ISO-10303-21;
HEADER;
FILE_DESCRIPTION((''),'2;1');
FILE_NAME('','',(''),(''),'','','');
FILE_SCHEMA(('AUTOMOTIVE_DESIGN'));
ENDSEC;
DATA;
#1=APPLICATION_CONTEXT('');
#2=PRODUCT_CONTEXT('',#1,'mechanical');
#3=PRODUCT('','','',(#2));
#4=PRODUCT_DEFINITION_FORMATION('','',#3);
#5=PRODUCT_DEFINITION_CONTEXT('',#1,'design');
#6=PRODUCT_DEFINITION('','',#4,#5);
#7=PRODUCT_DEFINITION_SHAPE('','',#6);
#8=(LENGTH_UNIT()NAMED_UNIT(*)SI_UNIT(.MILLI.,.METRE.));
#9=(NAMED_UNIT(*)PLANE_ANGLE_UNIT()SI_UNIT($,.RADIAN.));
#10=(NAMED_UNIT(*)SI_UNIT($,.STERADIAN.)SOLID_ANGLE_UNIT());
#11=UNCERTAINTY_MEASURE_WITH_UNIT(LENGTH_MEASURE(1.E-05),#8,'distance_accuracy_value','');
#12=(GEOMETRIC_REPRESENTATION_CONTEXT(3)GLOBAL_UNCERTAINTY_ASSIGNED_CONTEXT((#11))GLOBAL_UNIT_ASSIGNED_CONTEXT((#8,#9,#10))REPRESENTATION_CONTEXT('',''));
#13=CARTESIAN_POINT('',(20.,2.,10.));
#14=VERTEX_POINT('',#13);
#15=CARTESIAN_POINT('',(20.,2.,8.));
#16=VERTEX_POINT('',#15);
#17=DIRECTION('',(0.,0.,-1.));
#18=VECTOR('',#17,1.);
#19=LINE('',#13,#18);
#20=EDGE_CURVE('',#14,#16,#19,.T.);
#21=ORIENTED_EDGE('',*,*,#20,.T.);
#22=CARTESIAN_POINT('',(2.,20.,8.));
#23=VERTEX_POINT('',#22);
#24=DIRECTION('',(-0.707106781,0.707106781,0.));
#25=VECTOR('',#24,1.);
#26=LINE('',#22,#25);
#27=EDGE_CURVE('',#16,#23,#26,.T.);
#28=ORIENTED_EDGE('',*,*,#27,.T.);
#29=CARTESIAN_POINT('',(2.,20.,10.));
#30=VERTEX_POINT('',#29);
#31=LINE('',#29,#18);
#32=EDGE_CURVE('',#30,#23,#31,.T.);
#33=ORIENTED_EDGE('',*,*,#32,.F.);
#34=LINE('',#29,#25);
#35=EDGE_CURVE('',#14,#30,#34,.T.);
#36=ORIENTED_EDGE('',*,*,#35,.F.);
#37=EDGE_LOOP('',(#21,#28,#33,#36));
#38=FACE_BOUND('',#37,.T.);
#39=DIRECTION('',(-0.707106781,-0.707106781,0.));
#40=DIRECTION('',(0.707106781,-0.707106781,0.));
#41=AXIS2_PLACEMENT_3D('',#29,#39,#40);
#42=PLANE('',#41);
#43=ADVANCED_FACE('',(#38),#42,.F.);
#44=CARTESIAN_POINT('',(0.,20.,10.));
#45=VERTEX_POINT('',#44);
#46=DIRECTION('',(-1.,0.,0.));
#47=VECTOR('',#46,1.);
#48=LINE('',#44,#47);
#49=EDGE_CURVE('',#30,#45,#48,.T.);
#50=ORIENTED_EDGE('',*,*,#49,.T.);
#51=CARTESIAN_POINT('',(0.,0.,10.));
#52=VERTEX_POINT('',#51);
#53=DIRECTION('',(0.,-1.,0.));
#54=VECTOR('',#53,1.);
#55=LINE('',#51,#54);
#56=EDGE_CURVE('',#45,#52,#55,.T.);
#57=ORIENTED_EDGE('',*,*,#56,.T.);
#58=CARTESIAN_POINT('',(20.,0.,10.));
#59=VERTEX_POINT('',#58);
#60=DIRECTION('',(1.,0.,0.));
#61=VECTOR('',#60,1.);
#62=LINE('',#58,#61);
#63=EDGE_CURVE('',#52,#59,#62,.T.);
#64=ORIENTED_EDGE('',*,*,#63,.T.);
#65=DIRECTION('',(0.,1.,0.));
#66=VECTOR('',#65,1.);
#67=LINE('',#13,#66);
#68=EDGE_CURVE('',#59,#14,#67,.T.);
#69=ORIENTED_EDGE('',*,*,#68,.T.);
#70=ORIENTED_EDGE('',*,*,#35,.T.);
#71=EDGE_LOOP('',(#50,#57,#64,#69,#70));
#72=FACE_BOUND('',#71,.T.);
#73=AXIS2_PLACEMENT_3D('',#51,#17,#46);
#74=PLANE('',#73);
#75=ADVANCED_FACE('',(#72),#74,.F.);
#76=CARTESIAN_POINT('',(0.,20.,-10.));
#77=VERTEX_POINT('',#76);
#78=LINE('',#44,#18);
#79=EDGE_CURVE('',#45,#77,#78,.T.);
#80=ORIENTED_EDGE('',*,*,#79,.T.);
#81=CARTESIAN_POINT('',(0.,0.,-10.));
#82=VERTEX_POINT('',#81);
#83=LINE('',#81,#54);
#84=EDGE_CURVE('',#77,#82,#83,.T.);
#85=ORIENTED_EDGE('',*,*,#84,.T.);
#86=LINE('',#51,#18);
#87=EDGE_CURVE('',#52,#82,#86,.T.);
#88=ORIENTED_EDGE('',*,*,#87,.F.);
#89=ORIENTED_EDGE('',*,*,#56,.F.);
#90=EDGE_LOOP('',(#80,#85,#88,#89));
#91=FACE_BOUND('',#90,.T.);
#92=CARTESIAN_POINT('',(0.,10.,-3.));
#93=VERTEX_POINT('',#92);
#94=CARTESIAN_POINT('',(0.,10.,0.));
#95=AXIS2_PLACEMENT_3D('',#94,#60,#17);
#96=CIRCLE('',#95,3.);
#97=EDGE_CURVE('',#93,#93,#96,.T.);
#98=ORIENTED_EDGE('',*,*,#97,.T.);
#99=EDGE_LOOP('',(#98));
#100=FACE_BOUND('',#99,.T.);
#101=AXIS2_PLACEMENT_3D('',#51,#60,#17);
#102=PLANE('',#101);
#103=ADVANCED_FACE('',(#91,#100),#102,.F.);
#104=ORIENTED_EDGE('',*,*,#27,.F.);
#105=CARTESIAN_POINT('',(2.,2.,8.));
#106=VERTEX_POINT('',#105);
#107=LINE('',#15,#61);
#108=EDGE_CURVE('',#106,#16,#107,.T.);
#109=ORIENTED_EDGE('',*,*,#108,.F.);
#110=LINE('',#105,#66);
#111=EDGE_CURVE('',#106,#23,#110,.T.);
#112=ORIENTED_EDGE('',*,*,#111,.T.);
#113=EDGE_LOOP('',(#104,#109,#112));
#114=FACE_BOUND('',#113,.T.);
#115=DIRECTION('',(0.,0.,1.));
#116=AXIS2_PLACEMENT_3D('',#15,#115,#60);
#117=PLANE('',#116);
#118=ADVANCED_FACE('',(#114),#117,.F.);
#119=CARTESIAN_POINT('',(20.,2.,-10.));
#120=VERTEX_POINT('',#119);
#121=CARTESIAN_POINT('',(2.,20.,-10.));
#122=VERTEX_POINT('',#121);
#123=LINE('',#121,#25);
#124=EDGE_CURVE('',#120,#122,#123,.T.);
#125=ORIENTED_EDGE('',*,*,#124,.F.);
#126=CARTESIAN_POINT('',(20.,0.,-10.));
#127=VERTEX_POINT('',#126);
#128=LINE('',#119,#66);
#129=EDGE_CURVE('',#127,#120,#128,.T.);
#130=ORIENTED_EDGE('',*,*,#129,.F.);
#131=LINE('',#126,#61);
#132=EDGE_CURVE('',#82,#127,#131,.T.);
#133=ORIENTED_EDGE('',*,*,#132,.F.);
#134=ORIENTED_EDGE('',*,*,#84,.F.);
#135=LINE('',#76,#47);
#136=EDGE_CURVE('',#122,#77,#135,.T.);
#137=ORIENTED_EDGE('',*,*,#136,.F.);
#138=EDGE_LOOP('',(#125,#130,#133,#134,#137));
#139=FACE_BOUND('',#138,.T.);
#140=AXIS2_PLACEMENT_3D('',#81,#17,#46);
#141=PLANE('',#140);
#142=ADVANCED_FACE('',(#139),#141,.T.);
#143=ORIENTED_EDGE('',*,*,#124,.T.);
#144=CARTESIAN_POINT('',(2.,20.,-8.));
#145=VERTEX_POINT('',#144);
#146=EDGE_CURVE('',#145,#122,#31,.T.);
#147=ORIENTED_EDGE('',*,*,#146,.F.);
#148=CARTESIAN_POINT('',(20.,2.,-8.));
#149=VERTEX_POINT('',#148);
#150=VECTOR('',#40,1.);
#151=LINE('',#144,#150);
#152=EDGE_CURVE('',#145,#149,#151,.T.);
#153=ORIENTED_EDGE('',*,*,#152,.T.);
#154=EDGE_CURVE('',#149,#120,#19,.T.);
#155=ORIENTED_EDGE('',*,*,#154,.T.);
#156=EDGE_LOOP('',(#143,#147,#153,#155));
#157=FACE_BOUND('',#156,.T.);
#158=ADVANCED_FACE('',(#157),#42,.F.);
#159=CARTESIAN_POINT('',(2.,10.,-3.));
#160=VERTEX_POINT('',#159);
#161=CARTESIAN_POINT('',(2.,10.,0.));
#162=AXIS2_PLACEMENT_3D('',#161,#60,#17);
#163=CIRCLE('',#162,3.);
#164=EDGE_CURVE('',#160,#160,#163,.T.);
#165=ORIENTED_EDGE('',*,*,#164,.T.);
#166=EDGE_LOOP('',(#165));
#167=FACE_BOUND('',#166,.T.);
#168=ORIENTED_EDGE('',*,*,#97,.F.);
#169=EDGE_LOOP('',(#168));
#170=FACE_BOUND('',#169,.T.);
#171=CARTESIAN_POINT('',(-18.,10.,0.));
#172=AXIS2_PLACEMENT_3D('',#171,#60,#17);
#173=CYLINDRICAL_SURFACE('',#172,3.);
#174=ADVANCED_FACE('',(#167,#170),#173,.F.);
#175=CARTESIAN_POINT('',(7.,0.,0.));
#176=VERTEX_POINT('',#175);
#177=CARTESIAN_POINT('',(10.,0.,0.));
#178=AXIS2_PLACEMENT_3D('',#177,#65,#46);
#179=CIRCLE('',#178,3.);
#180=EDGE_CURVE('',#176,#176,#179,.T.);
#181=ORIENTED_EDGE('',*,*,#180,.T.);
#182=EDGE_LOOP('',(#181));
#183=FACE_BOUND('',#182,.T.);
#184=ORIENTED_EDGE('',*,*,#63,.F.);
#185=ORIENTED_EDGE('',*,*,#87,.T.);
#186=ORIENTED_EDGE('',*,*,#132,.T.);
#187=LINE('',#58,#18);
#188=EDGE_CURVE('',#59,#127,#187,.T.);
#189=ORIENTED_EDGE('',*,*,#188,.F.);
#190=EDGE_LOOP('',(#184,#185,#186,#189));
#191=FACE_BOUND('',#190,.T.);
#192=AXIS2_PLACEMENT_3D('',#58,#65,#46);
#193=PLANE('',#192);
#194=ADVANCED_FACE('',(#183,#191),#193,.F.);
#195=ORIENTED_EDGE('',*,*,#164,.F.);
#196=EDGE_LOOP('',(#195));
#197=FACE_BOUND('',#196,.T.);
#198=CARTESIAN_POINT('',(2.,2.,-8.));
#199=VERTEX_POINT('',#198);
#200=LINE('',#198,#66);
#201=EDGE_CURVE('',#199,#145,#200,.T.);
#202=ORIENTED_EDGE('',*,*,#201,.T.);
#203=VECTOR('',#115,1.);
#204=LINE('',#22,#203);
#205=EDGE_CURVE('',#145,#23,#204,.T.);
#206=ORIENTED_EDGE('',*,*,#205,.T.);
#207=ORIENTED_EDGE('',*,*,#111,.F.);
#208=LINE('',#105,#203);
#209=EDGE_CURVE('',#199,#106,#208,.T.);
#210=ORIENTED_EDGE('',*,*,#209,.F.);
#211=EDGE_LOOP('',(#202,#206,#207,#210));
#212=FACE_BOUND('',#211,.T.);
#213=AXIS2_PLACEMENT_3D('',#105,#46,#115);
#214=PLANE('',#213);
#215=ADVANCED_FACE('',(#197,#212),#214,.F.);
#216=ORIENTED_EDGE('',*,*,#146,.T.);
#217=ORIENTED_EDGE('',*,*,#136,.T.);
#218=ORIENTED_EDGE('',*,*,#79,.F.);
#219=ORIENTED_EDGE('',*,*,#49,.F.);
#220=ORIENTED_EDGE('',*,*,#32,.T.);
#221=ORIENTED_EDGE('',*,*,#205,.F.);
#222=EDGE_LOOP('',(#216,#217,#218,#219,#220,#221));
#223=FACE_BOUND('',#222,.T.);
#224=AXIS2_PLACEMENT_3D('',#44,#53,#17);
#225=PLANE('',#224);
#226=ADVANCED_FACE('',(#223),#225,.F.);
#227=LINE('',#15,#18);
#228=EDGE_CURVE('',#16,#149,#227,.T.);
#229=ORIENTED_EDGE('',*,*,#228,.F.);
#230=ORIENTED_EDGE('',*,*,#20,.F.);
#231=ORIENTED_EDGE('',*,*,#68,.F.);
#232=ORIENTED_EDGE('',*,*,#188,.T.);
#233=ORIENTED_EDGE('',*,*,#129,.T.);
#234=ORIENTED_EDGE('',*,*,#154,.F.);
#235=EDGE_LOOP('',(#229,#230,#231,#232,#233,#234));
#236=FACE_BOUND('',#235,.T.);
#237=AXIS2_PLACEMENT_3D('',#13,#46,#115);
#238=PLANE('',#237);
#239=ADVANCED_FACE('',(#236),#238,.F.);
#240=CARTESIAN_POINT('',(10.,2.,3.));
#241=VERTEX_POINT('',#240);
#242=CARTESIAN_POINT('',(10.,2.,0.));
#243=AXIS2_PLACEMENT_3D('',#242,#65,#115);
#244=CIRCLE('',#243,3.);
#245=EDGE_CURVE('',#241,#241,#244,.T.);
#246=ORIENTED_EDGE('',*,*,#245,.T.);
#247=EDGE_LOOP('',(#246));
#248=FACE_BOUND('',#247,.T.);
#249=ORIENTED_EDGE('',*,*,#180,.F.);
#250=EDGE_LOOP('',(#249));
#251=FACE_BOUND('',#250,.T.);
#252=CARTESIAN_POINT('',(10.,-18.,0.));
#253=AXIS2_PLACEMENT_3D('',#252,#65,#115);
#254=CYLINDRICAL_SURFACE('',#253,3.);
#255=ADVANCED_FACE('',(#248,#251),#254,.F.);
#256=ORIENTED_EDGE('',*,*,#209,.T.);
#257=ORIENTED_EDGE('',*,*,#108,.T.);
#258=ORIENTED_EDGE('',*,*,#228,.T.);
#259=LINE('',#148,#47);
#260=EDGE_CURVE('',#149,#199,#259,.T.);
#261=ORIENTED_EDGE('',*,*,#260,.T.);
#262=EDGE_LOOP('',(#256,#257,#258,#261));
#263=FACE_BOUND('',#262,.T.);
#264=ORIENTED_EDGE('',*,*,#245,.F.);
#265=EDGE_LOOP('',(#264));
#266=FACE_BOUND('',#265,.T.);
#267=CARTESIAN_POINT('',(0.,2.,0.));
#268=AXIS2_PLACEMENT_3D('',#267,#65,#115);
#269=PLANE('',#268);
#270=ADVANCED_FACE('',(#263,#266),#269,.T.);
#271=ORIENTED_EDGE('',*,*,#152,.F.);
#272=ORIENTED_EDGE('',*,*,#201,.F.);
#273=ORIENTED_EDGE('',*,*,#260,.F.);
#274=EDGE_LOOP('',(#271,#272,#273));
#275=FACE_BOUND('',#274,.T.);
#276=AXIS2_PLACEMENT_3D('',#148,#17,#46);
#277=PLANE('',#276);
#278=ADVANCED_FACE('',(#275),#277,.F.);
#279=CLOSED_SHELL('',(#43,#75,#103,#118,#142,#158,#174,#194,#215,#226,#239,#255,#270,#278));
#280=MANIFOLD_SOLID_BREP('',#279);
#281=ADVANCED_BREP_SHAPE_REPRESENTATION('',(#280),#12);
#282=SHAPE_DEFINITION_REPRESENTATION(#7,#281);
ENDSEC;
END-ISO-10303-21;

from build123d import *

# Parameters (mm, degrees)
BOSS_EXTRUDE1_DEPTH = 10
SKETCH2_W           = 18
SKETCH2_H           = 16
CUT_EXTRUDE1_DEPTH  = 18
SKETCH3_R           = 3
CUT_EXTRUDE2_DEPTH  = 20
SKETCH4_R           = 3
CUT_EXTRUDE3_DEPTH  = 20


with BuildPart() as part:
    # Sketch1 → Boss-Extrude1 (new, symmetric)
    with BuildSketch(Plane.XY):
        Polygon((20, 0), (0, 0), (0, 20), (2, 20), (20, 2), align=None)
    extrude(amount=BOSS_EXTRUDE1_DEPTH, both=True)

    # Sketch2 → Cut-Extrude1 (cut)
    with BuildSketch(Plane(origin=(0, 20, 0), x_dir=(1, 0, 0), z_dir=(0, 1, 0))):
        with Locations((11, 0)):
            Rectangle(SKETCH2_W, SKETCH2_H)
    extrude(amount=-CUT_EXTRUDE1_DEPTH, mode=Mode.SUBTRACT)

    # Sketch3 → Cut-Extrude2 (cut)
    with BuildSketch(Plane(origin=(2, 0, 0), x_dir=(0, 0, -1), z_dir=(1, 0, 0))):
        with Locations((0, 10)):
            Circle(SKETCH3_R)
    extrude(amount=-CUT_EXTRUDE2_DEPTH, mode=Mode.SUBTRACT)

    # Sketch4 → Cut-Extrude3 (cut)
    with BuildSketch(Plane(origin=(0, 2, 0), x_dir=(1, 0, 0), z_dir=(0, 1, 0))):
        with Locations(Location((10, 0, 0), (0, 0, 270))):
            Circle(SKETCH4_R)
    extrude(amount=-CUT_EXTRUDE3_DEPTH, mode=Mode.SUBTRACT)


solid = part.part
